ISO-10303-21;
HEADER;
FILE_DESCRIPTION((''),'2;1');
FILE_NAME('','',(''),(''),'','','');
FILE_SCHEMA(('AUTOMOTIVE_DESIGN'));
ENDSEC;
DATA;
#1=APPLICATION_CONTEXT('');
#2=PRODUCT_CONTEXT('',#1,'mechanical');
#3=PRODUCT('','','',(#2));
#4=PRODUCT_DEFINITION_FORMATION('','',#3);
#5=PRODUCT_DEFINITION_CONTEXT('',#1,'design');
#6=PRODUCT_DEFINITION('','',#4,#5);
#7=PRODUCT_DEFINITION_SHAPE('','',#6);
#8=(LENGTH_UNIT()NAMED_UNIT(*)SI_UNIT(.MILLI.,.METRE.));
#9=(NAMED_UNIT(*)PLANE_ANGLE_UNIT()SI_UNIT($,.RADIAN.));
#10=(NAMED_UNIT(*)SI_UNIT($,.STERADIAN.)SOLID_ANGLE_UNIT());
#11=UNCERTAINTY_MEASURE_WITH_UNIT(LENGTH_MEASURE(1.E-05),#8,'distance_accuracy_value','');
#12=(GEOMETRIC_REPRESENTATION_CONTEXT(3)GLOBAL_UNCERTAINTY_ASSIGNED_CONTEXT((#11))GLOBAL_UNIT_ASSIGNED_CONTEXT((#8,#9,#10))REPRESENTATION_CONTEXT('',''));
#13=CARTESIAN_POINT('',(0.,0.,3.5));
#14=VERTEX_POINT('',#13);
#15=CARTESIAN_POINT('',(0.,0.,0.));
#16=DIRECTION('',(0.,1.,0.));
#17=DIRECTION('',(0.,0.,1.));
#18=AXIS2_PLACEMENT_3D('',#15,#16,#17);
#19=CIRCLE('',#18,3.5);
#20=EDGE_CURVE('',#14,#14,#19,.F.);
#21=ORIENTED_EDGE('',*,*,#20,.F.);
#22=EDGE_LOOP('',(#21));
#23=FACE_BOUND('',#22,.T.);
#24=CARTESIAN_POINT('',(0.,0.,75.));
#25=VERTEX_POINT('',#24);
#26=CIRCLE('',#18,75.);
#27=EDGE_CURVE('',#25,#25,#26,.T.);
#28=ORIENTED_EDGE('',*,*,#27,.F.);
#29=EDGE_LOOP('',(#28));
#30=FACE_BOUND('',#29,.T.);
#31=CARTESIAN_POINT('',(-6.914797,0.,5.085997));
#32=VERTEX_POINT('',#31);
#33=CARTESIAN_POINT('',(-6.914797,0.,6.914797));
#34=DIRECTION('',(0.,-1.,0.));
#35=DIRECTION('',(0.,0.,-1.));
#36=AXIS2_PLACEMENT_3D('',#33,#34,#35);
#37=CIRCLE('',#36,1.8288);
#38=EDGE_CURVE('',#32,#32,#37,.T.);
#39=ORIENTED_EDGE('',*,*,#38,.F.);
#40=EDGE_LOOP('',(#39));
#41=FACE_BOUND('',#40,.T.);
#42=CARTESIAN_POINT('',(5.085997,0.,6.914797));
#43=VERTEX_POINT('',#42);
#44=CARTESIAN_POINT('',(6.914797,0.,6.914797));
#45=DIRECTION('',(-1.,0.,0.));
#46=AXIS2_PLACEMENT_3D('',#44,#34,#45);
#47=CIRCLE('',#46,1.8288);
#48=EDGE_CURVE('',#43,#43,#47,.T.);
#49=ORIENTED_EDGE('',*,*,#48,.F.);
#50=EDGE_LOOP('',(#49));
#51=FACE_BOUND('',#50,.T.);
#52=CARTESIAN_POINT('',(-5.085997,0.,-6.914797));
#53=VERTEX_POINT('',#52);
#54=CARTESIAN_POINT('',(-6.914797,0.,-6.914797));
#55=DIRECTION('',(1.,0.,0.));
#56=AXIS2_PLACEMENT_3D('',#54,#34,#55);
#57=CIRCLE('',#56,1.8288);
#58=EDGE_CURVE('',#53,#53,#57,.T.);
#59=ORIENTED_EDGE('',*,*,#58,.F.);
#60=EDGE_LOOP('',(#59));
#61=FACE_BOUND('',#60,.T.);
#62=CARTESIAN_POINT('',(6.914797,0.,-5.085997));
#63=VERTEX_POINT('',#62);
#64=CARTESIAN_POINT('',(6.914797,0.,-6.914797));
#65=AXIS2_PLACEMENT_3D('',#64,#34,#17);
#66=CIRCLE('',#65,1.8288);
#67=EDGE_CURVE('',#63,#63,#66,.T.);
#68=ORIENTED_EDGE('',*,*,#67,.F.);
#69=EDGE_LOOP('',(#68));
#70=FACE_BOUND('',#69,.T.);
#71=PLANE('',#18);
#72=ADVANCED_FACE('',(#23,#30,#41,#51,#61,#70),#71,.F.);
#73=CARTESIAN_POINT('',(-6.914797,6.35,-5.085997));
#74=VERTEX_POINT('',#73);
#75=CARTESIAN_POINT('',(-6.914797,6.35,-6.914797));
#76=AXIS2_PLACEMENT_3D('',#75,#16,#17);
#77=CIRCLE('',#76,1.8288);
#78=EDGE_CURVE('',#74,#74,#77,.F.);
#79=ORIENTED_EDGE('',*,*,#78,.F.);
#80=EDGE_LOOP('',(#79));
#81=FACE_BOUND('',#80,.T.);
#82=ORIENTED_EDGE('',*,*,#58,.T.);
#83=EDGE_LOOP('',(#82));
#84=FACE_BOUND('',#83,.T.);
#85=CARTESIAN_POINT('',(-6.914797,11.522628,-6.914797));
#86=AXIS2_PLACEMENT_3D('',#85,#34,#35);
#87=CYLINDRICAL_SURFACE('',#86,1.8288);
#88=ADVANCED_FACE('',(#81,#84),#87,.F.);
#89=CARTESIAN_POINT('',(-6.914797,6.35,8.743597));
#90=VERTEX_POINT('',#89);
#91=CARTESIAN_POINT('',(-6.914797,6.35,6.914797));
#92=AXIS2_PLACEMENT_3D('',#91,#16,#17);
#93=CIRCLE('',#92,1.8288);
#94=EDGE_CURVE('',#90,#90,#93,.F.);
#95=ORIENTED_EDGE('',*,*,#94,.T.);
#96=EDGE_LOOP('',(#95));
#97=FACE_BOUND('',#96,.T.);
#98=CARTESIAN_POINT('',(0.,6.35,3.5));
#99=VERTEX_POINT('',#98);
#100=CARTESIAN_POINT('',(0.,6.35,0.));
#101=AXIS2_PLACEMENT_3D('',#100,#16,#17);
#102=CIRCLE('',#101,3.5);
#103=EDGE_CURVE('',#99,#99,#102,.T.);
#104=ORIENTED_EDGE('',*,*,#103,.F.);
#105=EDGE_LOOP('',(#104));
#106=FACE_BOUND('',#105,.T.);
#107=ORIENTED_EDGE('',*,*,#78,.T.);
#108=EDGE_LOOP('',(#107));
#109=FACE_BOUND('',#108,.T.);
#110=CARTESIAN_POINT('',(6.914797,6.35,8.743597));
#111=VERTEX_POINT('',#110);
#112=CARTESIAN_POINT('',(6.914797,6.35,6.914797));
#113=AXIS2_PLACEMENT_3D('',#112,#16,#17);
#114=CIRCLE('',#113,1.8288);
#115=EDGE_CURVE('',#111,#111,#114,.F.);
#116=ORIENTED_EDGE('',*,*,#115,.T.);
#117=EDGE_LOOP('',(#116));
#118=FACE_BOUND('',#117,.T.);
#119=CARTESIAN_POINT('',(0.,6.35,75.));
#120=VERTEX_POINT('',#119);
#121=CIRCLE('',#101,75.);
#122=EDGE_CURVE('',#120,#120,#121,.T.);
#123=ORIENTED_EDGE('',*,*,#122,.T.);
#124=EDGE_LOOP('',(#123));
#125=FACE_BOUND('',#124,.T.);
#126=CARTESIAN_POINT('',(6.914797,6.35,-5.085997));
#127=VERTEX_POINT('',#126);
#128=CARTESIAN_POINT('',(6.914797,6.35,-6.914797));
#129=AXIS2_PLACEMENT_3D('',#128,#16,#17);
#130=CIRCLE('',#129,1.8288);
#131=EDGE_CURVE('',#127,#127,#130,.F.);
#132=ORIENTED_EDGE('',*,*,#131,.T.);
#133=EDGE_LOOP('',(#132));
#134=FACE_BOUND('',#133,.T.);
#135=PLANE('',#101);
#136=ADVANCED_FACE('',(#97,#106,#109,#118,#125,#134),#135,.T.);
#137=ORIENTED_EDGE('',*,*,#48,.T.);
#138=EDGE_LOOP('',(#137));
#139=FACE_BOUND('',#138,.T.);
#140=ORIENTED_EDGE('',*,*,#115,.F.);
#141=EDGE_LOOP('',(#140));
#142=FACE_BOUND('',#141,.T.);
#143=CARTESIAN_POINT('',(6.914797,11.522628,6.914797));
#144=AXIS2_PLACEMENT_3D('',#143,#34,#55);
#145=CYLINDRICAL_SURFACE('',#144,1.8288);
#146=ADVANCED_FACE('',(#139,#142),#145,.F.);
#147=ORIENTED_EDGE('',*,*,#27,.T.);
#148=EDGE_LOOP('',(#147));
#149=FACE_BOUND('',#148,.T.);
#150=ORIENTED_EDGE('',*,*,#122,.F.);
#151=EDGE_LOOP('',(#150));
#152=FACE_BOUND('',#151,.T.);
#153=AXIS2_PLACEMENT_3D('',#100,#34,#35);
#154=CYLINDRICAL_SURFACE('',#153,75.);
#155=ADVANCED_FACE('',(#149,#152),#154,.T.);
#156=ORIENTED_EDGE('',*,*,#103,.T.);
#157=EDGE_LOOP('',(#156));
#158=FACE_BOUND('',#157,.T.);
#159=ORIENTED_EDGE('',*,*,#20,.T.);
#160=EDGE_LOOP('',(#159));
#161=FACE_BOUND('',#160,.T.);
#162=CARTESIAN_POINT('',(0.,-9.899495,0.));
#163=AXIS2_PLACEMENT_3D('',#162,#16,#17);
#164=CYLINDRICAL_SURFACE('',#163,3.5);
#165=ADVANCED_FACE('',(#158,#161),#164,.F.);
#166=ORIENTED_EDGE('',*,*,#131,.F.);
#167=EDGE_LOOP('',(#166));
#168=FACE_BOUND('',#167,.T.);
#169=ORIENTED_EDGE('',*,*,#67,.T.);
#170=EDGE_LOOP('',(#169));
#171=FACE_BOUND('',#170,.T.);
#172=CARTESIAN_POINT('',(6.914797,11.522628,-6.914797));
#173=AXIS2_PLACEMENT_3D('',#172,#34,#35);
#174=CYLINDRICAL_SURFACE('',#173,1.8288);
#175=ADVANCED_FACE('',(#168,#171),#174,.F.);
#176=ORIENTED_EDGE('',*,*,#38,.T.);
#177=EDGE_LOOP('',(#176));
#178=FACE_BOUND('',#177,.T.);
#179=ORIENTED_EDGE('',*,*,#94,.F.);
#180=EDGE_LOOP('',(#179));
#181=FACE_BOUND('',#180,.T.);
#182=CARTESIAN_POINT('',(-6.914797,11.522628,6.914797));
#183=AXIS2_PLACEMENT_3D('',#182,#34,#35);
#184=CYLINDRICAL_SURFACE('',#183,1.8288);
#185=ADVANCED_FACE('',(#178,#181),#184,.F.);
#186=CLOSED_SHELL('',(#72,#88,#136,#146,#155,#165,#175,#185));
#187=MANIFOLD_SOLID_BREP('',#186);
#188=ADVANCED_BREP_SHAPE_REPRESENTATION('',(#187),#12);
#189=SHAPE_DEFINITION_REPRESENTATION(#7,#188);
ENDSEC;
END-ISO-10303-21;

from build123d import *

# Parameters (mm, degrees)
ESQUISSE1_R             = 75
BOSS_EXTRU_1_DEPTH      = 6.35
ESQUISSE2_R             = 3.5
ENL_V_MAT_EXTRU_1_DEPTH = 6.35
SKETCH1_R               = 1.8288
CUT_EXTRUDE1_DEPTH      = 6.35
CIRPATTERN1_COUNT       = 4


with BuildPart() as part:
    # Esquisse1 → Boss.-Extru.1 (new body)
    with BuildSketch(Plane(origin=(0, 0, 0), x_dir=(1, 0, 0), z_dir=(0, 1, 0))):
        with Locations(Location((0, 0, 0), (0, 0, 270))):
            Circle(ESQUISSE1_R)
    extrude(amount=BOSS_EXTRU_1_DEPTH)

    # Esquisse2 → Enlèv. mat.-Extru.1 (cut)
    with BuildSketch(Plane(origin=(0, 6.35, 0), x_dir=(1, 0, 0), z_dir=(0, 1, 0))):
        with Locations(Location((0, 0, 0), (0, 0, 270))):
            Circle(ESQUISSE2_R)
    extrude(amount=-ENL_V_MAT_EXTRU_1_DEPTH, mode=Mode.SUBTRACT)

    # Sketch1 → Cut-Extrude1 (cut)
    with BuildSketch(Plane.XZ):
        with Locations(Location((-6.914797213, 6.914797213, 0), (0, 0, 270))):
            Circle(SKETCH1_R)
    cut_extrude1 = extrude(amount=-CUT_EXTRUDE1_DEPTH, mode=Mode.SUBTRACT)

    # CirPattern1: Cut-Extrude1 ×4 about axis
    cirpattern1_axis = Axis((0, 0, 0), (0, 1, 0))
    for i in range(1, CIRPATTERN1_COUNT):
        add(cut_extrude1.rotate(cirpattern1_axis, i * 360 / CIRPATTERN1_COUNT), mode=Mode.SUBTRACT)


solid = part.part
